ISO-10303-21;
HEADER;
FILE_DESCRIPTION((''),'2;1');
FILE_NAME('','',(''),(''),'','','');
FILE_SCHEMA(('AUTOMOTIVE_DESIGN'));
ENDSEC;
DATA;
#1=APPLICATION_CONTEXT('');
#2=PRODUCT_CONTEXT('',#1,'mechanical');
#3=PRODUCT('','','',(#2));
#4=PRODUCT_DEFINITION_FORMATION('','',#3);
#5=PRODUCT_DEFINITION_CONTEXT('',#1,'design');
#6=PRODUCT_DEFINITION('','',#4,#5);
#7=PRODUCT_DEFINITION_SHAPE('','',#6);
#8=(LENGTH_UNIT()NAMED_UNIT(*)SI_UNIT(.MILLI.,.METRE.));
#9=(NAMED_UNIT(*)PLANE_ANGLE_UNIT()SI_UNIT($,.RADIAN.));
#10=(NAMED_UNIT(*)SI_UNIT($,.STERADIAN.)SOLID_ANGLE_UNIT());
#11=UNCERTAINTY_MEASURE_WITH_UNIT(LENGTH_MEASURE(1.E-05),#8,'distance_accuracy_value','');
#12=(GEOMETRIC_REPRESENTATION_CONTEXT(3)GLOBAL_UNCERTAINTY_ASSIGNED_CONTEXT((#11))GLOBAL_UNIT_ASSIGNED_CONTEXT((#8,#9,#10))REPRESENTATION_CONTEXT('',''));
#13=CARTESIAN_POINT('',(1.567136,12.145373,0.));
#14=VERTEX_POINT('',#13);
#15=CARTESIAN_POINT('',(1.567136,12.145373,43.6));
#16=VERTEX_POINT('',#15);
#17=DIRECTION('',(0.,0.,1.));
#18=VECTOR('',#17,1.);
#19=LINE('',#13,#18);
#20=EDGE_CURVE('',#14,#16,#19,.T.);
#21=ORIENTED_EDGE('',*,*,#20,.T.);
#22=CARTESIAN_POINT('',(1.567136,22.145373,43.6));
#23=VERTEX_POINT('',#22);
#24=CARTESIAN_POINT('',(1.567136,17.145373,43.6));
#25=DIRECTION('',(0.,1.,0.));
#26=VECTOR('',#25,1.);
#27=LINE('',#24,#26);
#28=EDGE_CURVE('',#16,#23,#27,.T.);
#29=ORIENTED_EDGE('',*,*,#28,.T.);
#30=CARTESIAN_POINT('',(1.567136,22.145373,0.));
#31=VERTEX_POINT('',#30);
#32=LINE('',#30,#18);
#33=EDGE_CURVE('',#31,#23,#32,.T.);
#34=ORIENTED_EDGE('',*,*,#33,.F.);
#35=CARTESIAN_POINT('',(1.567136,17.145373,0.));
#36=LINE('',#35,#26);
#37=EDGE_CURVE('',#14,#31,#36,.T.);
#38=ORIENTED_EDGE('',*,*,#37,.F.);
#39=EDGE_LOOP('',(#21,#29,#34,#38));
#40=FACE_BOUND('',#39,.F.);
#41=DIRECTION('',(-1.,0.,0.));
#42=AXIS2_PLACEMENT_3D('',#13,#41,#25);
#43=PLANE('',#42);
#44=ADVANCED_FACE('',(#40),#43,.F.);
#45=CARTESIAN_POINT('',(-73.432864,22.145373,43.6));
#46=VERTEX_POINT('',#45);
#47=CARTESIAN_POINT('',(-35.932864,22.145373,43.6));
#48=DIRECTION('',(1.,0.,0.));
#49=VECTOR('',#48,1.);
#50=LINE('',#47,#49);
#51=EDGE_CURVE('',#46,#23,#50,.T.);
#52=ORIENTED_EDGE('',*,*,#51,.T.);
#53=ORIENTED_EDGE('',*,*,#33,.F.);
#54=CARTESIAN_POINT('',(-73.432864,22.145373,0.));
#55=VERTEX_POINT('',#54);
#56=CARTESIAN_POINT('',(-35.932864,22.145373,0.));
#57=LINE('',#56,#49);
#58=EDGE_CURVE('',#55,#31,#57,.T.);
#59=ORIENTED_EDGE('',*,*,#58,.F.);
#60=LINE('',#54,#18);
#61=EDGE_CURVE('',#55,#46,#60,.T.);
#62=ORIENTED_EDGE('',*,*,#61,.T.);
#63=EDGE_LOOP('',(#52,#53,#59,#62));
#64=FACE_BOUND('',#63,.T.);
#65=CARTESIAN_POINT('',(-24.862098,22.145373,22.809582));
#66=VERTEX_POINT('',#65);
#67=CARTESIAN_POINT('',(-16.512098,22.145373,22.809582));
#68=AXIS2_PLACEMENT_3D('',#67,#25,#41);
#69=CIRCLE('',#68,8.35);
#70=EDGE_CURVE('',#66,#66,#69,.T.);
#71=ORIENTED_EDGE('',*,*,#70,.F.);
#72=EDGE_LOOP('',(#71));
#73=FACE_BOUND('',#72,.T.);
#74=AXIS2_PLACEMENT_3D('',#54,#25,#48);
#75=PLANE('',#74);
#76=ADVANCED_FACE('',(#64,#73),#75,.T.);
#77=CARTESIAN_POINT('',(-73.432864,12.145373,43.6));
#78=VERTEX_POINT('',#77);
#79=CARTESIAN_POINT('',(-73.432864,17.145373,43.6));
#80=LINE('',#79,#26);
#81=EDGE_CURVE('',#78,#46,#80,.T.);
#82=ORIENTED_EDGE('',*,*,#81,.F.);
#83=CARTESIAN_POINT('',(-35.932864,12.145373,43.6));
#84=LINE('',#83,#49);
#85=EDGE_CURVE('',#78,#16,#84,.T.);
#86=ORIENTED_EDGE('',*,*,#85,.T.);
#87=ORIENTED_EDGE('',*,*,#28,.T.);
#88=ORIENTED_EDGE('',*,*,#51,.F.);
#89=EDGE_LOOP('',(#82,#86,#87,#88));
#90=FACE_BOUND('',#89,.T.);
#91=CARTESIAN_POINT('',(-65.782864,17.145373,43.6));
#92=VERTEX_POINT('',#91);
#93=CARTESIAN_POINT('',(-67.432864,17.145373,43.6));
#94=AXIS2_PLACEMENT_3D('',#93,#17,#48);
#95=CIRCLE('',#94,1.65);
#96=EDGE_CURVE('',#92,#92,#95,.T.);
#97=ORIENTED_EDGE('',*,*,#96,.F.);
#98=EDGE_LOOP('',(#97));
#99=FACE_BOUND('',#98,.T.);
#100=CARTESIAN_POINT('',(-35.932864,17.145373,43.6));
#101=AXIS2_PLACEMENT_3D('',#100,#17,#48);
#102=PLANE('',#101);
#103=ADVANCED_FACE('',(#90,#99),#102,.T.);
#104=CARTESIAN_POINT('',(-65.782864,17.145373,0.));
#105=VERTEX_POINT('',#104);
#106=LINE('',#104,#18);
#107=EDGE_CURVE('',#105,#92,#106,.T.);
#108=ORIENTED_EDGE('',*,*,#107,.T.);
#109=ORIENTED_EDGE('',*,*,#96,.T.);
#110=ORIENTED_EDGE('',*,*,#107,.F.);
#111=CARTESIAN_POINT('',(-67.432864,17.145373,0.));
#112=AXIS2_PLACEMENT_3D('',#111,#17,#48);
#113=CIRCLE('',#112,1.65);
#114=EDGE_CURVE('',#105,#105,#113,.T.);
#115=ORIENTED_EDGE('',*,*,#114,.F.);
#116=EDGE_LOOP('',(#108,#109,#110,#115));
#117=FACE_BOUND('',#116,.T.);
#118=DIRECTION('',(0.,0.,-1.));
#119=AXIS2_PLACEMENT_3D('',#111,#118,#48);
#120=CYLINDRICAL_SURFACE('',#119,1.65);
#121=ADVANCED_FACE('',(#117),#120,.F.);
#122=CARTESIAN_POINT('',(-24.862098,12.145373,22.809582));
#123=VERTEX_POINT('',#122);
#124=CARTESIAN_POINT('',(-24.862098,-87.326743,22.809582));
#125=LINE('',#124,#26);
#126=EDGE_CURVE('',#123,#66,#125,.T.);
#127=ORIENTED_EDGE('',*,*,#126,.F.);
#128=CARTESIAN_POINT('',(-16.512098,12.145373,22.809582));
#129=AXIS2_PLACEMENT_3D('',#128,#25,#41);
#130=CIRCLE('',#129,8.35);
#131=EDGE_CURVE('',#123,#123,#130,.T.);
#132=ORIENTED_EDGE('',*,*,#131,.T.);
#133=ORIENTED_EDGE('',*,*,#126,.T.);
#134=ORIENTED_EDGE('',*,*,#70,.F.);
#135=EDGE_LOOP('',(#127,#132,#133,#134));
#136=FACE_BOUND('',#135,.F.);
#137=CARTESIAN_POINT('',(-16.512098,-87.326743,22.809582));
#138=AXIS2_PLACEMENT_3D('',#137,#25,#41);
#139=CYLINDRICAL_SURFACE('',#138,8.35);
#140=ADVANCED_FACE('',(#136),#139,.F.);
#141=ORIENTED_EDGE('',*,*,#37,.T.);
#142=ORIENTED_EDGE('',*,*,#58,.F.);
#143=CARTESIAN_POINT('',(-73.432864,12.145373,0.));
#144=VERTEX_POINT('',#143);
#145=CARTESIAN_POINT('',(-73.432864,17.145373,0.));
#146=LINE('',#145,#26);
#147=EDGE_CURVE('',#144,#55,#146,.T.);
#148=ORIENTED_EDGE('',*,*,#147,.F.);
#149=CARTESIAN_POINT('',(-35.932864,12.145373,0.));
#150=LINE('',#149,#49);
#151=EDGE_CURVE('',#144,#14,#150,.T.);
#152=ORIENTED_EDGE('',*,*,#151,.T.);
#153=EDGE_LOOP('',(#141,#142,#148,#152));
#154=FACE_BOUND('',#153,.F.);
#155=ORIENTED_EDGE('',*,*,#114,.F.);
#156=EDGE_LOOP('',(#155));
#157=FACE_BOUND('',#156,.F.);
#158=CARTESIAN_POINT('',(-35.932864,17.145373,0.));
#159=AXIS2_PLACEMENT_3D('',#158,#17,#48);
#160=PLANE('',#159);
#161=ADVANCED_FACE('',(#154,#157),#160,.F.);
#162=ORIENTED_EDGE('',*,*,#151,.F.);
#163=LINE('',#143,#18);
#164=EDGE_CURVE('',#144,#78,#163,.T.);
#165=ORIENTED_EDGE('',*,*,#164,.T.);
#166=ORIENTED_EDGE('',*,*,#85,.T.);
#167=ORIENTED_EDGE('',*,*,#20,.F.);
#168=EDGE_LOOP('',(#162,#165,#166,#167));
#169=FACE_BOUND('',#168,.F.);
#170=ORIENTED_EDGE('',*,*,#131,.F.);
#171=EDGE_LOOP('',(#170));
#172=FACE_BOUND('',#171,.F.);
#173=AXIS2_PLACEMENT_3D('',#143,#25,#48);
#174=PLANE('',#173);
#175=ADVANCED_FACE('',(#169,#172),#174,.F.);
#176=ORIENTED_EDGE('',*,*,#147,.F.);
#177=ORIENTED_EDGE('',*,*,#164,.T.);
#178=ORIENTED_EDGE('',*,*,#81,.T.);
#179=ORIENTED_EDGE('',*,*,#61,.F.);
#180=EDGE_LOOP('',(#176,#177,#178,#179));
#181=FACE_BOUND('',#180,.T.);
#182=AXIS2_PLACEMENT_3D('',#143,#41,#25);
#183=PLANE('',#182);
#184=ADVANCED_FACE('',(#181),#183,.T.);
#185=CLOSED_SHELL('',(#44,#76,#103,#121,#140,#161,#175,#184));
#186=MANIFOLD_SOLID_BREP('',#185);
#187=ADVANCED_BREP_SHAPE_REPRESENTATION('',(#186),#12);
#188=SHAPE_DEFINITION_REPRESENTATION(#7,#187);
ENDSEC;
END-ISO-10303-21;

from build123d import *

# Parameters (mm, degrees)
F0_W     = 75
F0_H     = 10
F0_R     = 1.65
F1_DEPTH = 43.6
F3_D     = 16.7


with BuildPart() as f1:
    # F0 (on Top) → F1 (new body)
    with BuildSketch(Plane.XY):
        with Locations((-35.932864, 17.145373)):
            Rectangle(F0_W, F0_H)
        with Locations((-67.432864, 17.145373)):
            Circle(F0_R, mode=Mode.SUBTRACT)
    extrude(amount=F1_DEPTH)

    # F3 (through all)
    with Locations(Plane.XZ):
        with Locations((-16.512098, 22.809582)):
            Hole(F3_D / 2)


solid = f1.part
